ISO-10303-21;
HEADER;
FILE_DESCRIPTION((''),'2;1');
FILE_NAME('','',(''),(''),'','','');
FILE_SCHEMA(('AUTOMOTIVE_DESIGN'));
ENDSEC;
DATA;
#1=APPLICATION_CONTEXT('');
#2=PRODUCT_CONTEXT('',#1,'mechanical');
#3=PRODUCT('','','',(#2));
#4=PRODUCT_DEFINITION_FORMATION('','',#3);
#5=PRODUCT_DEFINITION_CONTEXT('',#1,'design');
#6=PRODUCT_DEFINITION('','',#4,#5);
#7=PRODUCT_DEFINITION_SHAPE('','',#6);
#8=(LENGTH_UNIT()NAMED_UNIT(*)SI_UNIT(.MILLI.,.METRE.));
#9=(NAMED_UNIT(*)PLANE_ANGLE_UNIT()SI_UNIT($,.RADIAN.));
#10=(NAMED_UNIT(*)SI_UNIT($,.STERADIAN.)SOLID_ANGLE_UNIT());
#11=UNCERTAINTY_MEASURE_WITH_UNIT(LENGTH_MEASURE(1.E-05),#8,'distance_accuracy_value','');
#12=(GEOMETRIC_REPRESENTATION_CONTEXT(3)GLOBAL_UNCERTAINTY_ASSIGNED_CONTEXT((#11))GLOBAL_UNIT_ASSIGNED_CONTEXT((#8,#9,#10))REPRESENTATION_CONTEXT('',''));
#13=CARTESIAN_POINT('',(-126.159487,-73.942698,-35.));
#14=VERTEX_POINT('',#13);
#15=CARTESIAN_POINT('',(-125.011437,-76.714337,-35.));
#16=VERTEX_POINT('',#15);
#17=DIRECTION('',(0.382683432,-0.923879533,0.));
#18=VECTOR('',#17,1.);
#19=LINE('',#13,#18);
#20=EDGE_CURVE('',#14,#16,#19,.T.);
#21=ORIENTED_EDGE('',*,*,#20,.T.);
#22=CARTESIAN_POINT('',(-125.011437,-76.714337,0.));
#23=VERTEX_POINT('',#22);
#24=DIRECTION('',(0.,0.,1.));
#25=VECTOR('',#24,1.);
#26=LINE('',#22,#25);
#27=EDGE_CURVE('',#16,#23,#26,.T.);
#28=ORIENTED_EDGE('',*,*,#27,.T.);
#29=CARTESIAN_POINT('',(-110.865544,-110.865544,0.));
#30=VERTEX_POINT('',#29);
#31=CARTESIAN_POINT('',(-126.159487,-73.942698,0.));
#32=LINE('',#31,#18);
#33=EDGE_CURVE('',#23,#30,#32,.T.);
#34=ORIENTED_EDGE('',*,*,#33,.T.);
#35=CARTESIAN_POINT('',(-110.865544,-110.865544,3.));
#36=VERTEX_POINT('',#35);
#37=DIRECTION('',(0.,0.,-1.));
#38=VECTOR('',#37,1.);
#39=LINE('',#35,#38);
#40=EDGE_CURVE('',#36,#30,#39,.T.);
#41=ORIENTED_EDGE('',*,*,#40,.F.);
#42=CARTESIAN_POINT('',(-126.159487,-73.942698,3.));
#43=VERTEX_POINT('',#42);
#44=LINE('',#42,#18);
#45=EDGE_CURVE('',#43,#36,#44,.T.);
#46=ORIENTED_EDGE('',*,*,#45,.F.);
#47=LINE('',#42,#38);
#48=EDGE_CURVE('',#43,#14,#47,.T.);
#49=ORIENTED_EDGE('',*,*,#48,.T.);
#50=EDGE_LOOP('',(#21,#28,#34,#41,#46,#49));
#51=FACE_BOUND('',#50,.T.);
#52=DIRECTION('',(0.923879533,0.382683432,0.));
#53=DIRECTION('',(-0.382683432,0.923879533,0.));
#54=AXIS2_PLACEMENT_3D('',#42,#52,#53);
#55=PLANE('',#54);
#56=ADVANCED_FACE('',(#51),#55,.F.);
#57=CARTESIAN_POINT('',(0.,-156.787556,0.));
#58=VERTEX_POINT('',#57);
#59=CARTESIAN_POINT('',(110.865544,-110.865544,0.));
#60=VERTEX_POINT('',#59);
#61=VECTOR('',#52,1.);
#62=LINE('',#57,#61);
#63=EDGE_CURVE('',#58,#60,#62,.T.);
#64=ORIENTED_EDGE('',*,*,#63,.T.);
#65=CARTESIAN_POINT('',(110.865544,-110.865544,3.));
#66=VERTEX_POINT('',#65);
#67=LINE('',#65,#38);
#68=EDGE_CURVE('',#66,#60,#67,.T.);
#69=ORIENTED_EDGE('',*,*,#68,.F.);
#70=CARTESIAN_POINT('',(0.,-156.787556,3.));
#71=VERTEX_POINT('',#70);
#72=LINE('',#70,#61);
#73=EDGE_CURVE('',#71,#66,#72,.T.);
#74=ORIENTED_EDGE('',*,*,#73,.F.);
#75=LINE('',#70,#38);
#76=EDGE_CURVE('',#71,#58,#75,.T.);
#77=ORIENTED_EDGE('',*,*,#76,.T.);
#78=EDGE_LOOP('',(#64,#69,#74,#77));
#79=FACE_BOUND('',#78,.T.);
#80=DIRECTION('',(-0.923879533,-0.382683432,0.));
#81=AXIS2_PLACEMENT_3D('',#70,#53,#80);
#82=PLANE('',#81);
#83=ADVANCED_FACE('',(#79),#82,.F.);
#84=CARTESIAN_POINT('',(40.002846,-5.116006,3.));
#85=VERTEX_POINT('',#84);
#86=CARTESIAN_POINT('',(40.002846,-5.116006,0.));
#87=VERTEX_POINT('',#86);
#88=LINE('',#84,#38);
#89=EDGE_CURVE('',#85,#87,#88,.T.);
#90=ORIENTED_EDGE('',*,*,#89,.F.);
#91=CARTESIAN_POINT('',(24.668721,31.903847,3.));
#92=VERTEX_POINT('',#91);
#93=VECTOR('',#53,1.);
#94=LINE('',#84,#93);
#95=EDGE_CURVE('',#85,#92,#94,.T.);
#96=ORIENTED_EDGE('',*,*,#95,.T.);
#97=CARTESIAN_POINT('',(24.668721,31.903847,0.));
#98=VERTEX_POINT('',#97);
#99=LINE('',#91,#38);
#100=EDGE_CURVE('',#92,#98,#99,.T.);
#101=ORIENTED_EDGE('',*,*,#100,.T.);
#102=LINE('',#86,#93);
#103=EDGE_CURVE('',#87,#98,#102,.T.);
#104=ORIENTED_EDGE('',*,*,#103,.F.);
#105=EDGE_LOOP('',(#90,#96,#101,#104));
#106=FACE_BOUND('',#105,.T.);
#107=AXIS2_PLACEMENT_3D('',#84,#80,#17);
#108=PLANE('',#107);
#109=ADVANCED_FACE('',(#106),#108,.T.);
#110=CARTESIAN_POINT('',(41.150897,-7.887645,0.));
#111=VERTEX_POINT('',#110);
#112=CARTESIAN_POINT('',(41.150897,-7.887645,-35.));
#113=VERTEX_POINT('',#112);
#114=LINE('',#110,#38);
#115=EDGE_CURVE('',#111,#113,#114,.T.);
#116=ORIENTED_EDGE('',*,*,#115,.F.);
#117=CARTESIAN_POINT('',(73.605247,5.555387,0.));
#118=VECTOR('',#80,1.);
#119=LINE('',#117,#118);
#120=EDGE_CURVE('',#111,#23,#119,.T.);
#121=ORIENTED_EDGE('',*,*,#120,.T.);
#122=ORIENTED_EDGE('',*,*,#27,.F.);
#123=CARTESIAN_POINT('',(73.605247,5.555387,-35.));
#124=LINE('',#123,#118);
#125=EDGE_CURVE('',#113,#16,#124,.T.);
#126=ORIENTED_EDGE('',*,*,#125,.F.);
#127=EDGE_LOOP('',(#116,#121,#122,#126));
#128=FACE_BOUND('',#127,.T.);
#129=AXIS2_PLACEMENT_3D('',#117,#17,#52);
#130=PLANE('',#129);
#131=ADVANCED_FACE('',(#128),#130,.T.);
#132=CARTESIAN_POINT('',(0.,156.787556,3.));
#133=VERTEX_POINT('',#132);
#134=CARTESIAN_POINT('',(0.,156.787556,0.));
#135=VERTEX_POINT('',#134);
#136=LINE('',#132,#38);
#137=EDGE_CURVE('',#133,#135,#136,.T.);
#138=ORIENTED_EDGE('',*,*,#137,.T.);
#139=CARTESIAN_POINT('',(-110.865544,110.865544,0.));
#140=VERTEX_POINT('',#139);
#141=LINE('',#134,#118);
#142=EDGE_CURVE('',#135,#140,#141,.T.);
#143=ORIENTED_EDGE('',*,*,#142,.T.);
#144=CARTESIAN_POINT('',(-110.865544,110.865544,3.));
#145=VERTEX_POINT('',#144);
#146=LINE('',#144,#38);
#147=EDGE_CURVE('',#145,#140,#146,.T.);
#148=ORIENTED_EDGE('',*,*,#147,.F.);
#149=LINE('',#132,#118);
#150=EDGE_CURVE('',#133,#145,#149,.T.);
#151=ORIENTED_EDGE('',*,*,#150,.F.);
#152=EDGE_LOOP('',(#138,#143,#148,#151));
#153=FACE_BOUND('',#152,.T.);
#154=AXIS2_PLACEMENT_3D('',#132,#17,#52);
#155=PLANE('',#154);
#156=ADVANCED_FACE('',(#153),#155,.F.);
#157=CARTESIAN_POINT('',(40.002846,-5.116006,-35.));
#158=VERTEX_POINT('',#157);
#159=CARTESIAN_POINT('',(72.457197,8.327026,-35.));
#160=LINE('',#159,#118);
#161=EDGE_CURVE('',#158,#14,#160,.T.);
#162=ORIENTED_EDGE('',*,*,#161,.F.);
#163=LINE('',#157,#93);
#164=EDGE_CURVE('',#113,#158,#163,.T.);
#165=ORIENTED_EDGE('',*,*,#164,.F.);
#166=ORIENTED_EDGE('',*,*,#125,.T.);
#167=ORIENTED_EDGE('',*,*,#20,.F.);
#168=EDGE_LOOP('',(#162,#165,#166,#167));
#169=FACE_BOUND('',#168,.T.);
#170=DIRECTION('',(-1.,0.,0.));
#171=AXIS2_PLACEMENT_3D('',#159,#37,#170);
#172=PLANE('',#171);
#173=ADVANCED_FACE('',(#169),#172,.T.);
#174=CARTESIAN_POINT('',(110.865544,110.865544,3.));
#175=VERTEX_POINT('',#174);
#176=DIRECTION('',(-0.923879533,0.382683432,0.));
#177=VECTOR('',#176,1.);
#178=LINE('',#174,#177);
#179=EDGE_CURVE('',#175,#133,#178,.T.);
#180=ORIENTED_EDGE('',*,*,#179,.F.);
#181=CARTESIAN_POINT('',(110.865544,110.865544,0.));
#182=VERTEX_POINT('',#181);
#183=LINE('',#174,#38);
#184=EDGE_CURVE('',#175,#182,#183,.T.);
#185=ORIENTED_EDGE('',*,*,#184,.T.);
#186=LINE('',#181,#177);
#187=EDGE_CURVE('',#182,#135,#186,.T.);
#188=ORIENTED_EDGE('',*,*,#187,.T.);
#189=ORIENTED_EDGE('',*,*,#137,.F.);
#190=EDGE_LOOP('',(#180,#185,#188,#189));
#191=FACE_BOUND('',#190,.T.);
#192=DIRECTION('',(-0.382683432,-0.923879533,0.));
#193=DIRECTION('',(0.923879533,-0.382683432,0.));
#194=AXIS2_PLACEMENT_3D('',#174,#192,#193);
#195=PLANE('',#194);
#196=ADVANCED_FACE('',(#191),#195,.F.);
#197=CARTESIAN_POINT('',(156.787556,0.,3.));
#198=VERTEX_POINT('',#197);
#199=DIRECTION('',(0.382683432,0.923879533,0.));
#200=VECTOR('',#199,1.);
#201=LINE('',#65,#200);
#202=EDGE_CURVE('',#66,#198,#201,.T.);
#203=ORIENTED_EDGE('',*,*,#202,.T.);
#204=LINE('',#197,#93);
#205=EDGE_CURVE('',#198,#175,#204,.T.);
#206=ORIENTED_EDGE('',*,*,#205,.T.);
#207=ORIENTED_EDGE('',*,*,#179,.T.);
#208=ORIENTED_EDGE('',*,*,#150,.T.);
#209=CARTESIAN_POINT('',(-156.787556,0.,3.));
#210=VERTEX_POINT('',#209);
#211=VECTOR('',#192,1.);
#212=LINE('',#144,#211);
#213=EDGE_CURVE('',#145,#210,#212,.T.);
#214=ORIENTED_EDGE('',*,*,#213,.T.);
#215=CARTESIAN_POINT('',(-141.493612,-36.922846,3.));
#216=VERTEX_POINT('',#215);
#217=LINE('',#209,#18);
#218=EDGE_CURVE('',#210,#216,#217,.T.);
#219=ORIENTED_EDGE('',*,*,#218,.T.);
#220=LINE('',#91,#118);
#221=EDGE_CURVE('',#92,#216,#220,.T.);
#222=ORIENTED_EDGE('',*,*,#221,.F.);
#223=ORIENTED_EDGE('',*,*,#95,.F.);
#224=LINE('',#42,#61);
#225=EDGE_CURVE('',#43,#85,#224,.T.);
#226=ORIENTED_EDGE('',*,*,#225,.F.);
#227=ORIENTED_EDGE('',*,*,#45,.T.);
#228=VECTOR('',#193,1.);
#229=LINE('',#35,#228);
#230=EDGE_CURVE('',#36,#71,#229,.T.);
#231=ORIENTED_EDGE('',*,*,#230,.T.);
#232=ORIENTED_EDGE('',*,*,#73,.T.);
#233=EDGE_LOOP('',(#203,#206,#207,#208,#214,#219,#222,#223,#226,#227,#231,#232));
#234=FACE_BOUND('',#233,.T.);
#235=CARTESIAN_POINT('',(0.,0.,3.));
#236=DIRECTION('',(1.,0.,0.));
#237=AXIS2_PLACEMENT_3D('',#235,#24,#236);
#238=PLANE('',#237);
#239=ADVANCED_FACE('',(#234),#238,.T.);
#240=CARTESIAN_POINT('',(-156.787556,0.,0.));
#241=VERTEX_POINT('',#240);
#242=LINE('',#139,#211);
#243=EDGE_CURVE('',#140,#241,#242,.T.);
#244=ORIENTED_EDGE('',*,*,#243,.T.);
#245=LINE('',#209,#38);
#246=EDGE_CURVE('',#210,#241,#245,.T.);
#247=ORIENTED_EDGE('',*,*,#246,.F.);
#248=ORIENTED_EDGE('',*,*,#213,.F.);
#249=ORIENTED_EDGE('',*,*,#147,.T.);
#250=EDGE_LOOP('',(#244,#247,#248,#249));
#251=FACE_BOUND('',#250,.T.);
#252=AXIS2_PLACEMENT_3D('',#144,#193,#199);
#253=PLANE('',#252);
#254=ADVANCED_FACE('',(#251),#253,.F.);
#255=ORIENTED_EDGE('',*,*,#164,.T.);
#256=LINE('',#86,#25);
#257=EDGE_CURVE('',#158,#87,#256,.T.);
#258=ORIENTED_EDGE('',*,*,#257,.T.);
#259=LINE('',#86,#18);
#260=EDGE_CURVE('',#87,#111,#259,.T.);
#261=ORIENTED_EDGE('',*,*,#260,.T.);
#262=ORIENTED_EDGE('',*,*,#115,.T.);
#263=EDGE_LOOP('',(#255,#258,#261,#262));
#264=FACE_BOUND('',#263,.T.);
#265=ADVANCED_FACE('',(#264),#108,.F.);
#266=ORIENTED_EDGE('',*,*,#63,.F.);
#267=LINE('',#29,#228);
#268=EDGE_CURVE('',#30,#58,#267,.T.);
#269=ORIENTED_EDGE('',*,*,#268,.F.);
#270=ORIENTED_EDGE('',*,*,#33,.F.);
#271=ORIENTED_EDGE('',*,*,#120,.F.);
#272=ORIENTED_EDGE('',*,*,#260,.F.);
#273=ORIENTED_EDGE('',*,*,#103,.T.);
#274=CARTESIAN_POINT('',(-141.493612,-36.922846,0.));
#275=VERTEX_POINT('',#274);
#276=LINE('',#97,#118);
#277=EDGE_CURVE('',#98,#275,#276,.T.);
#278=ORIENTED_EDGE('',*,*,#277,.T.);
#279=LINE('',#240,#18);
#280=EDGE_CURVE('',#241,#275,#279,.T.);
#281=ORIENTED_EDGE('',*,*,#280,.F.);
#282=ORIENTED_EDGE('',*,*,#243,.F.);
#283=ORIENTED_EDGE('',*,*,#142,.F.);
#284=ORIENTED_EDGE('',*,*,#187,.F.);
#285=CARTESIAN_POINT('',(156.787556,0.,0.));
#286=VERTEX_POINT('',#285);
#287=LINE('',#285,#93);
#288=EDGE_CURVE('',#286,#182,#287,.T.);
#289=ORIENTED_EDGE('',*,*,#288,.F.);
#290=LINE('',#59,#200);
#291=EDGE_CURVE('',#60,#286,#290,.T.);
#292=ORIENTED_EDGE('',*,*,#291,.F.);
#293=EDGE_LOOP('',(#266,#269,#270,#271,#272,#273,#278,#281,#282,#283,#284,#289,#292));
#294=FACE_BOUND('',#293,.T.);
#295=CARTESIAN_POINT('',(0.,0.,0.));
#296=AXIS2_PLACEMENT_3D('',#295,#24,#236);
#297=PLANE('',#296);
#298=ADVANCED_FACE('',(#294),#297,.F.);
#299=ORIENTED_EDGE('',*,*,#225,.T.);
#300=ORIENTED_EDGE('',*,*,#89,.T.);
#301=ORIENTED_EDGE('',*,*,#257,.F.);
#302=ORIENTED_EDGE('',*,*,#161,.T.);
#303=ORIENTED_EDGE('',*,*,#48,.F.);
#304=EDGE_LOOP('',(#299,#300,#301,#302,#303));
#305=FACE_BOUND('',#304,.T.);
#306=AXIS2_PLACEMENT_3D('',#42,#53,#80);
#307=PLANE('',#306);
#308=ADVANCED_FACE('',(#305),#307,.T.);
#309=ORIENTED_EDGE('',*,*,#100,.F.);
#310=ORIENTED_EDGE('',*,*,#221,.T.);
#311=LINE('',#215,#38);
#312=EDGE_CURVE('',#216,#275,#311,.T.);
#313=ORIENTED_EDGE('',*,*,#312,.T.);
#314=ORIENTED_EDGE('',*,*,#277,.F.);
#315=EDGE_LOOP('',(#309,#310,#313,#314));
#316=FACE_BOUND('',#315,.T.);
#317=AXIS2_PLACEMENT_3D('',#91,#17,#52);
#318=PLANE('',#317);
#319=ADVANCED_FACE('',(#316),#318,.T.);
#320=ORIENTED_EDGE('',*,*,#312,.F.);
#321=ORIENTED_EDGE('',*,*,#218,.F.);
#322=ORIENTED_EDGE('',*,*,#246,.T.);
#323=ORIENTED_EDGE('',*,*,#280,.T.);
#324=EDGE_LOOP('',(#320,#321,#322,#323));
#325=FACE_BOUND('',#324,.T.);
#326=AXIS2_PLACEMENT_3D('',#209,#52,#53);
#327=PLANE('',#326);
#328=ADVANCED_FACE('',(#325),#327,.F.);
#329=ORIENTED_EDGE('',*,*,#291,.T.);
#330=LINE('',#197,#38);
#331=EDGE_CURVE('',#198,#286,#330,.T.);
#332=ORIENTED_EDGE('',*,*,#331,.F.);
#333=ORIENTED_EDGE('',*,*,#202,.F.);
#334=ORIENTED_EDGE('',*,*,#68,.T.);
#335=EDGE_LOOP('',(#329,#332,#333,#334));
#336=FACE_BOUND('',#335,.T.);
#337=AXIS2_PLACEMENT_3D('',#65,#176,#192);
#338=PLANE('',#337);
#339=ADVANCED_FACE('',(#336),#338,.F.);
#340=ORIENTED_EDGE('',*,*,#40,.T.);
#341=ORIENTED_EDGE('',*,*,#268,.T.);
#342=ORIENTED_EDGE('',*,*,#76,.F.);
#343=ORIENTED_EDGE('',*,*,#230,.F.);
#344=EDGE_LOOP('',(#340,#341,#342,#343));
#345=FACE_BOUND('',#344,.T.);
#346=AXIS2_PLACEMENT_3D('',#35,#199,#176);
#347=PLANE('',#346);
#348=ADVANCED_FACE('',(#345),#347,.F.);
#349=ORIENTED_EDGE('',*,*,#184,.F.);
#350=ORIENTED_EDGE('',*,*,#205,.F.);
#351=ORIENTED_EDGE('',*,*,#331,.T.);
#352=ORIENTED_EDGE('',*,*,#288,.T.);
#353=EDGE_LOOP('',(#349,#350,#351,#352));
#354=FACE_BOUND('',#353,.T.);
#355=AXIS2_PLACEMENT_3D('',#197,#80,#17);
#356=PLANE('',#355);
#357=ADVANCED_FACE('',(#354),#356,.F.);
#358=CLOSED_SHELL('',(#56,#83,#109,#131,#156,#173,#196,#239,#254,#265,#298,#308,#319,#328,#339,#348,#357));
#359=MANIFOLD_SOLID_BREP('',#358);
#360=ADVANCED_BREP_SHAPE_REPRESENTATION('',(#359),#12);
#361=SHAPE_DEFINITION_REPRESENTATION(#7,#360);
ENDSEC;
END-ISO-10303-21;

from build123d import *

# Parameters (mm, degrees)
BOSS_EXTRUDE4_DEPTH = 3
BOSS_EXTRUDE5_START = -179.852814
SKETCH7_W           = 3
SKETCH7_H           = 35
BOSS_EXTRUDE5_DEPTH = 179.852814


with BuildPart() as part:
    # Sketch6 → Boss-Extrude4 (new body)
    with BuildSketch(Plane(origin=(0, 0, 0), x_dir=(0, 1, 0), z_dir=(0, 0, 1))):
        Polygon((156.787555785, 0), (110.865543901, 110.865543901), (0, 156.787555785), (-36.922845517, 141.493612411), (31.903846567, -24.66872107), (-5.116006301, -40.002846205), (-73.942698385, 126.159487276), (-110.865543901, 110.865543901), (-156.787555785, 0), (-110.865543901, -110.865543901), (0, -156.787555785), (110.865543901, -110.865543901), align=None)
    extrude(amount=BOSS_EXTRUDE4_DEPTH)

    # Sketch7 → Boss-Extrude5 (add)
    with BuildSketch(Plane(origin=(-133.826549843, -55.432771951, 0), x_dir=(0.38268343236508956, -0.9238795325112868, 0), z_dir=(-0.9238795325112868, -0.38268343236508956, 0)).offset(BOSS_EXTRUDE5_START)):
        with Locations((21.535, -17.5)):
            Rectangle(SKETCH7_W, SKETCH7_H)
    extrude(amount=BOSS_EXTRUDE5_DEPTH)


solid = part.part
